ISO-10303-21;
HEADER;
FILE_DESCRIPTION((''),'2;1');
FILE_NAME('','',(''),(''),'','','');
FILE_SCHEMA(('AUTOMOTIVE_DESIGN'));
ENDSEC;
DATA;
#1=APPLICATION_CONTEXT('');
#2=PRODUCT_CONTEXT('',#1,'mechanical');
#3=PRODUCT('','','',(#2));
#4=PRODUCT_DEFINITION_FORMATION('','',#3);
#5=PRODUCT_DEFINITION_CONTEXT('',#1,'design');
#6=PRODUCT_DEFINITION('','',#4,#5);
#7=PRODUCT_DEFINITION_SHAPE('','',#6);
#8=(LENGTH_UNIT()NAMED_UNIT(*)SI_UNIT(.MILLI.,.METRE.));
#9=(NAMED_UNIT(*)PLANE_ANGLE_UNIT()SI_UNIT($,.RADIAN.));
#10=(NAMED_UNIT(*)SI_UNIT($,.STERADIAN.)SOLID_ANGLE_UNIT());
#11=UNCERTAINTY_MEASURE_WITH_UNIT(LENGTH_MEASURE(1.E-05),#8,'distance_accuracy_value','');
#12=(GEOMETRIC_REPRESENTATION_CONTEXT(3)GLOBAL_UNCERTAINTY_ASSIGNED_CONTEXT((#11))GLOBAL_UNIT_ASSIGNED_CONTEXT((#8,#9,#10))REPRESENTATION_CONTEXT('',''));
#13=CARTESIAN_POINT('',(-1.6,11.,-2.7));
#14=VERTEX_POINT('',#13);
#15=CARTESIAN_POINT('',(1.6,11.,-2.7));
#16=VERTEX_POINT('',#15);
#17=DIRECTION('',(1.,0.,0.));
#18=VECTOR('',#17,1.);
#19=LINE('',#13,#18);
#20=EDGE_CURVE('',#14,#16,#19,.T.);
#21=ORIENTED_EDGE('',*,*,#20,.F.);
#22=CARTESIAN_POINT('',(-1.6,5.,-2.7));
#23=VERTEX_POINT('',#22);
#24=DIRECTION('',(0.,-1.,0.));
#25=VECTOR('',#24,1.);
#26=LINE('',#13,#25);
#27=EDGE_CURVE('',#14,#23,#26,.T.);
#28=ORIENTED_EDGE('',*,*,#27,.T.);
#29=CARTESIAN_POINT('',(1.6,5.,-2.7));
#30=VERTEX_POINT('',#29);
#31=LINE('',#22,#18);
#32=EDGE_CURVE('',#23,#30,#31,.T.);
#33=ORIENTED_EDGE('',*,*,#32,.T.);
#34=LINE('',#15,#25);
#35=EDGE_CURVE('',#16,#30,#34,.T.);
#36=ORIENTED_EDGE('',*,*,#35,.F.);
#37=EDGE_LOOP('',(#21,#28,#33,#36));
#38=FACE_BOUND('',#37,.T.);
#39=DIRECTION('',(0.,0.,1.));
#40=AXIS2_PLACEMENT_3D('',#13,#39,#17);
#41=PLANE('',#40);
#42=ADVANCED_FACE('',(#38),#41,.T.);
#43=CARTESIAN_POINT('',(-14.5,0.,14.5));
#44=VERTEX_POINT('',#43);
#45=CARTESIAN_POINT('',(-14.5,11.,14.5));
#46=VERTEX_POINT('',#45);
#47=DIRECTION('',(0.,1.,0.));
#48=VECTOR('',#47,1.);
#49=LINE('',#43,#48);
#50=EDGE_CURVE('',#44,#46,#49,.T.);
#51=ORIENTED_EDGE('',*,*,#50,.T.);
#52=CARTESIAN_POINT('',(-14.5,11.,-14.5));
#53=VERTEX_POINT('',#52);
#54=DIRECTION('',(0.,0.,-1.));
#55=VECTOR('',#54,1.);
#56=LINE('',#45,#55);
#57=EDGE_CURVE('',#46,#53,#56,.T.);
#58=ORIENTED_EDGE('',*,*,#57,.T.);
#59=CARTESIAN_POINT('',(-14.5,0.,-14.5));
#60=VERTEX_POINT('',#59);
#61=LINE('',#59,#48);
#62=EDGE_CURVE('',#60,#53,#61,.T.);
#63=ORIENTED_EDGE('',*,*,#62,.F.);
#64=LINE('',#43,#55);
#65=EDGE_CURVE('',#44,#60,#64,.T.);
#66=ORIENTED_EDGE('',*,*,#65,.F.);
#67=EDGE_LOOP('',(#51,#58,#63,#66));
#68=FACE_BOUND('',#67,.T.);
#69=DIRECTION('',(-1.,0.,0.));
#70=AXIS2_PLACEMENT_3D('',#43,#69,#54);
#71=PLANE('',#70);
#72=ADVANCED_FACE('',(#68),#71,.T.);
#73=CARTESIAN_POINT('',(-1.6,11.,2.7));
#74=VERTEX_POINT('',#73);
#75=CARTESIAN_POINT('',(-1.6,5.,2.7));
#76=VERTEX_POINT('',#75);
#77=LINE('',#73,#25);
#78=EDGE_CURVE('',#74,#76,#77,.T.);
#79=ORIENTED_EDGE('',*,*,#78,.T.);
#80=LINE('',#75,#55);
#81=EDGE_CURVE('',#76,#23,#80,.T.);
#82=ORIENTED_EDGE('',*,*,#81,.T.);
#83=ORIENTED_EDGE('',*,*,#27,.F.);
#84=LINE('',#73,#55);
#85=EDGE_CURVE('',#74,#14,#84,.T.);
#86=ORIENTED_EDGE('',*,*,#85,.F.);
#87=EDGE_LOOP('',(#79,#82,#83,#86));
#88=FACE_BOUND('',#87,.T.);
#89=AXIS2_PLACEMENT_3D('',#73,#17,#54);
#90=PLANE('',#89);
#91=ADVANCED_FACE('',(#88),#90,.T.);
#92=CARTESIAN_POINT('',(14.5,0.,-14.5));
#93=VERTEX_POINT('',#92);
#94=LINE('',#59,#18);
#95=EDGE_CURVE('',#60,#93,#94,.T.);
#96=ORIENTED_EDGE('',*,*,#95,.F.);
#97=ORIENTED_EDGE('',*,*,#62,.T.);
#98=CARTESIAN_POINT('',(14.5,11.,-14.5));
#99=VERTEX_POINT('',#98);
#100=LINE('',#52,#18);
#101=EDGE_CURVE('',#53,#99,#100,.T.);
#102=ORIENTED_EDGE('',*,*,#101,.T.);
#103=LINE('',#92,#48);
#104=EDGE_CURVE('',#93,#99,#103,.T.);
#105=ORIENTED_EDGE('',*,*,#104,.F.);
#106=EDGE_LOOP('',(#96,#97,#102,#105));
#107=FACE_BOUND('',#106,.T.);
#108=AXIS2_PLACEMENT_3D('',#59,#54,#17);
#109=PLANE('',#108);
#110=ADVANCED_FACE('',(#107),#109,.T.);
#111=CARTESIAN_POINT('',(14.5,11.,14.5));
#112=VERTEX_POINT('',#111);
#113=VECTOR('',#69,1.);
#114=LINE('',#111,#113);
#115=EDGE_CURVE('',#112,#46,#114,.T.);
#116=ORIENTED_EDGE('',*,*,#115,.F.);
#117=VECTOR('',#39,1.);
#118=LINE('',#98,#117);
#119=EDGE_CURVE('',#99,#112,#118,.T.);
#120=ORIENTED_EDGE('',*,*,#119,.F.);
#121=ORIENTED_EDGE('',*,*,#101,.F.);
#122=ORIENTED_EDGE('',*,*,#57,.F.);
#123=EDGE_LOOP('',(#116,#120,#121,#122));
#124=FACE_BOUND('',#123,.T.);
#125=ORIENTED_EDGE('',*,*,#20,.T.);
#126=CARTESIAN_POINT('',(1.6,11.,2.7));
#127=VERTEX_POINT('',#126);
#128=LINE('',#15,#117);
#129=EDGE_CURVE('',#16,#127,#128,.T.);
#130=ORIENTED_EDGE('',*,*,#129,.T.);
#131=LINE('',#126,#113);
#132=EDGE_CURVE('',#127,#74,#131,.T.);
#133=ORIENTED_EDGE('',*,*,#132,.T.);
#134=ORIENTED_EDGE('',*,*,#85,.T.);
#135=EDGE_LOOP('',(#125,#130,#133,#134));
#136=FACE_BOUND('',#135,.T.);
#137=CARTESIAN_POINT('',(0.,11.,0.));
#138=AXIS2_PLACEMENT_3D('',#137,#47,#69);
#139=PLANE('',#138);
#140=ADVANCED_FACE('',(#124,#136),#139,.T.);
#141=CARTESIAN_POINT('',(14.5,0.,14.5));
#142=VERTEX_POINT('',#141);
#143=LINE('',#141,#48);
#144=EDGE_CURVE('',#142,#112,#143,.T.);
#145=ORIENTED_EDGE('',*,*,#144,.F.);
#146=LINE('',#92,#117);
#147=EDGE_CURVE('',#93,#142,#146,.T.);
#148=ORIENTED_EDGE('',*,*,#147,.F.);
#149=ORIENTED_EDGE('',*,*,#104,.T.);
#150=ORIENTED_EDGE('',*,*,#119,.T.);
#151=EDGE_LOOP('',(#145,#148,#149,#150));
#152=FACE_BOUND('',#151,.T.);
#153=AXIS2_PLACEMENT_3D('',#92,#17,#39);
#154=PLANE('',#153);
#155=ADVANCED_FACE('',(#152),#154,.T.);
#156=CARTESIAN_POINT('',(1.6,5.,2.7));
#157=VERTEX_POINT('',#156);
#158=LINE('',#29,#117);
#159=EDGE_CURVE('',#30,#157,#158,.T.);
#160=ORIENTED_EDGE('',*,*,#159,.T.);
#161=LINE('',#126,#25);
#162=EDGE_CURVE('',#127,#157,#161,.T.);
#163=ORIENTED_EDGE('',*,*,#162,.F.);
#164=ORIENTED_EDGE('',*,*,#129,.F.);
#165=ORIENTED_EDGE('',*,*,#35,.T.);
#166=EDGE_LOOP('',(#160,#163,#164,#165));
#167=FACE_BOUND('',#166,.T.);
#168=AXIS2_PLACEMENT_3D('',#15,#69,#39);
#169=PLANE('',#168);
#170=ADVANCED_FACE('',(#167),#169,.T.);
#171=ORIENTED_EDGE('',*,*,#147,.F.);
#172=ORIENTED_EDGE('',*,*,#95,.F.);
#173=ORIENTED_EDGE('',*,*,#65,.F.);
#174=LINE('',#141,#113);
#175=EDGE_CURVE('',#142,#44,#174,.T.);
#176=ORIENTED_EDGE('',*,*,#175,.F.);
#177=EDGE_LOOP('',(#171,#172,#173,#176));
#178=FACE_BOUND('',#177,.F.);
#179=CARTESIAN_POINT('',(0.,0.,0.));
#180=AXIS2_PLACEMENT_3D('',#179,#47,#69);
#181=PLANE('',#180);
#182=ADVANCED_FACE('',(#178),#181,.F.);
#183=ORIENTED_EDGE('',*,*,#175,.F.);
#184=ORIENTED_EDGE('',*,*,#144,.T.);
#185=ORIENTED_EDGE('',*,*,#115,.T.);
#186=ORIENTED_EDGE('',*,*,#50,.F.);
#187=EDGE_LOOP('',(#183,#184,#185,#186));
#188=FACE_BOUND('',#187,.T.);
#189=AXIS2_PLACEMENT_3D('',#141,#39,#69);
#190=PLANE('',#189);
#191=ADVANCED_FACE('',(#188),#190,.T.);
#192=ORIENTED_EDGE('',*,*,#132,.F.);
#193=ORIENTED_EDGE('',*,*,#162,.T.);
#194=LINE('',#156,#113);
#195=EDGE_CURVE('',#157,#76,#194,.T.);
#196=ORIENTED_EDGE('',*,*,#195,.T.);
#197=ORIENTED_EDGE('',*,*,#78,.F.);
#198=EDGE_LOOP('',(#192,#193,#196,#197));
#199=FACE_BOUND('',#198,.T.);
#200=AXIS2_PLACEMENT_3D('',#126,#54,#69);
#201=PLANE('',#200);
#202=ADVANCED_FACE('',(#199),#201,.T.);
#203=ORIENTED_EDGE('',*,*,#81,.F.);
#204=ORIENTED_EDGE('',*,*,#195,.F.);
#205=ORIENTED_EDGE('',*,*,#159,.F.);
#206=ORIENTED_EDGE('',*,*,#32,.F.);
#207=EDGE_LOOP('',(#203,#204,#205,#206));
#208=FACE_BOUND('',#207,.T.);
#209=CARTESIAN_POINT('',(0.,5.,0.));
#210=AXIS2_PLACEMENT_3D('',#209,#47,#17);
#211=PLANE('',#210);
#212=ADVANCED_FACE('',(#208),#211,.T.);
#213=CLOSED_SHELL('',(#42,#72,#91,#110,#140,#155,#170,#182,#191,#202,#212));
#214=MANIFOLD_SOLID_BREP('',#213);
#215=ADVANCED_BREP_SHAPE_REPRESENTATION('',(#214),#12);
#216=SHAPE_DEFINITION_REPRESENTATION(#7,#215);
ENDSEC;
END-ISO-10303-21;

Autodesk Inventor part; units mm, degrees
ref_plane "YZ Plane" through (0, 0, 0) normal (1, 0, 0) x (0, 1, 0)
ref_plane "XZ Plane" through (0, 0, 0) normal (0, 1, 0) x (-1, 0, 0)
ref_plane "XY Plane" through (0, 0, 0) normal (0, 0, 1) x (1, 0, 0)
sketch "Sketch1" plane through (0, 0, 0) normal (0, 1, 0) x (-1, 0, 0)
  line L0 (14.5, -14.5) -> (-14.5, -14.5)
  line L1 (-14.5, -14.5) -> (-14.5, 14.5)
  line L2 (-14.5, 14.5) -> (14.5, 14.5)
  line L3 (14.5, 14.5) -> (14.5, -14.5)
  dimension "d11" = 29
  dimension "d14" = 29
extrude "Extrusion1" add sketch "Sketch1" along normal blind 11
sketch "Sketch5" plane through (0, 11, 0) normal (0, 1, 0) x (1, 0, 0)
  line L0 (-1.6, 2.7) -> (1.6, 2.7)
  line L1 (1.6, 2.7) -> (1.6, -2.7)
  line L2 (1.6, -2.7) -> (-1.6, -2.7)
  line L3 (-1.6, -2.7) -> (-1.6, 2.7)
  point P0 (0, 0)
  dimension "d31" = 2.7
  dimension "d32" = 2.7
  dimension "d33" = 3.2
  dimension "d34" = 1.6
extrude "Extrusion4" cut sketch "Sketch5" against normal blind 6
equation "\"d14\" = d11"
equation "\"d34\" = 0.5 * d33"
properties part number "Motor_fit_check"
